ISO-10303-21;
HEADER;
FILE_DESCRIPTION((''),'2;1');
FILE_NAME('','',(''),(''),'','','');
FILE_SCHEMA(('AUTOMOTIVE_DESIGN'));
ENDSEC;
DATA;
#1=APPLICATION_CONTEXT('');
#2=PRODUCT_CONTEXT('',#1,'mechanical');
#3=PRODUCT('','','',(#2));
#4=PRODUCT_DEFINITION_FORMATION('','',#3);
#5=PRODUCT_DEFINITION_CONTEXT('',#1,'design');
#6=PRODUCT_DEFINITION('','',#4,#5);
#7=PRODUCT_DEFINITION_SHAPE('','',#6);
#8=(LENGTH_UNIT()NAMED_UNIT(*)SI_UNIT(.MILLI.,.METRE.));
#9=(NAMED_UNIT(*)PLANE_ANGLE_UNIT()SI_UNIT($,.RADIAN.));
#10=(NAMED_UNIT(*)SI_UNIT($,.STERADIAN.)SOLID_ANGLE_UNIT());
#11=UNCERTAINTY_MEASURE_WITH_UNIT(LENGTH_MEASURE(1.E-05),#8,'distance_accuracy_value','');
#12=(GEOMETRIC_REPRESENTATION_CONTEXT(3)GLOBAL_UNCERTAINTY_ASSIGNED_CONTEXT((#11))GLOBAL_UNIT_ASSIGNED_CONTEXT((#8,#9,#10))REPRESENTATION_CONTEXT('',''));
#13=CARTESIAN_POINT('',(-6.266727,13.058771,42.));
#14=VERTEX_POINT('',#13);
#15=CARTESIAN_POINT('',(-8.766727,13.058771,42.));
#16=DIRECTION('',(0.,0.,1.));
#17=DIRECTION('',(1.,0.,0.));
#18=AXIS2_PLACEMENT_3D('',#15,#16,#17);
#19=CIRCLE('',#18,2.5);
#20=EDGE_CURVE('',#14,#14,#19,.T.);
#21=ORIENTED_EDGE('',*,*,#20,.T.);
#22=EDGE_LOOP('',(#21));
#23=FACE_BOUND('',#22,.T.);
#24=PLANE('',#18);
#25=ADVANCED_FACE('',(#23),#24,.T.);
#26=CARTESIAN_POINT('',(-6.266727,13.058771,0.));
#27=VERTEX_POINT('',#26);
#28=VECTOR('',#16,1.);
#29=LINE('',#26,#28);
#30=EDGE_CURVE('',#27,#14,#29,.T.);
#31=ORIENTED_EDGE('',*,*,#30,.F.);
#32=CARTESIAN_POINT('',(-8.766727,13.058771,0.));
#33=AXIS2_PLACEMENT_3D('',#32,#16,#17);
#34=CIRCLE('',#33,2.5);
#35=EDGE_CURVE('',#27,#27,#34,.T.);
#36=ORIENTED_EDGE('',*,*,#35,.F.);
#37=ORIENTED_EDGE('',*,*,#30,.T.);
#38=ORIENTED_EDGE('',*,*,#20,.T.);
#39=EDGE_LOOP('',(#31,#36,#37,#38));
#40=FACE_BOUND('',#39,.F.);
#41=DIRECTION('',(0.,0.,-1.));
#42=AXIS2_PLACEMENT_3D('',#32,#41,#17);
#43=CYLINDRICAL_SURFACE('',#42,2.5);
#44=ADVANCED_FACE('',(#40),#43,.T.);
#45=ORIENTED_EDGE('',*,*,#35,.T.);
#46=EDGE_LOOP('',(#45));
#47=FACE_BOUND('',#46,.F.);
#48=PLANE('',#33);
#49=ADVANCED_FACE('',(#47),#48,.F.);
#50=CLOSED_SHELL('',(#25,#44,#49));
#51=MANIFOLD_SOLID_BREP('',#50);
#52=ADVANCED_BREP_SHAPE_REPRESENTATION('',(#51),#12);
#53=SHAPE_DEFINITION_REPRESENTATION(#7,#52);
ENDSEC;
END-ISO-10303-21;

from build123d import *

# Parameters (mm, degrees)
ESQUISSE1_R        = 2.5
BOSS_EXTRU_3_DEPTH = 42


with BuildPart() as part:
    # Esquisse1 → Boss.-Extru.3 (new body)
    with BuildSketch(Plane.XY):
        with Locations((-8.76672707, 13.058770531)):
            Circle(ESQUISSE1_R)
    extrude(amount=BOSS_EXTRU_3_DEPTH)


solid = part.part
